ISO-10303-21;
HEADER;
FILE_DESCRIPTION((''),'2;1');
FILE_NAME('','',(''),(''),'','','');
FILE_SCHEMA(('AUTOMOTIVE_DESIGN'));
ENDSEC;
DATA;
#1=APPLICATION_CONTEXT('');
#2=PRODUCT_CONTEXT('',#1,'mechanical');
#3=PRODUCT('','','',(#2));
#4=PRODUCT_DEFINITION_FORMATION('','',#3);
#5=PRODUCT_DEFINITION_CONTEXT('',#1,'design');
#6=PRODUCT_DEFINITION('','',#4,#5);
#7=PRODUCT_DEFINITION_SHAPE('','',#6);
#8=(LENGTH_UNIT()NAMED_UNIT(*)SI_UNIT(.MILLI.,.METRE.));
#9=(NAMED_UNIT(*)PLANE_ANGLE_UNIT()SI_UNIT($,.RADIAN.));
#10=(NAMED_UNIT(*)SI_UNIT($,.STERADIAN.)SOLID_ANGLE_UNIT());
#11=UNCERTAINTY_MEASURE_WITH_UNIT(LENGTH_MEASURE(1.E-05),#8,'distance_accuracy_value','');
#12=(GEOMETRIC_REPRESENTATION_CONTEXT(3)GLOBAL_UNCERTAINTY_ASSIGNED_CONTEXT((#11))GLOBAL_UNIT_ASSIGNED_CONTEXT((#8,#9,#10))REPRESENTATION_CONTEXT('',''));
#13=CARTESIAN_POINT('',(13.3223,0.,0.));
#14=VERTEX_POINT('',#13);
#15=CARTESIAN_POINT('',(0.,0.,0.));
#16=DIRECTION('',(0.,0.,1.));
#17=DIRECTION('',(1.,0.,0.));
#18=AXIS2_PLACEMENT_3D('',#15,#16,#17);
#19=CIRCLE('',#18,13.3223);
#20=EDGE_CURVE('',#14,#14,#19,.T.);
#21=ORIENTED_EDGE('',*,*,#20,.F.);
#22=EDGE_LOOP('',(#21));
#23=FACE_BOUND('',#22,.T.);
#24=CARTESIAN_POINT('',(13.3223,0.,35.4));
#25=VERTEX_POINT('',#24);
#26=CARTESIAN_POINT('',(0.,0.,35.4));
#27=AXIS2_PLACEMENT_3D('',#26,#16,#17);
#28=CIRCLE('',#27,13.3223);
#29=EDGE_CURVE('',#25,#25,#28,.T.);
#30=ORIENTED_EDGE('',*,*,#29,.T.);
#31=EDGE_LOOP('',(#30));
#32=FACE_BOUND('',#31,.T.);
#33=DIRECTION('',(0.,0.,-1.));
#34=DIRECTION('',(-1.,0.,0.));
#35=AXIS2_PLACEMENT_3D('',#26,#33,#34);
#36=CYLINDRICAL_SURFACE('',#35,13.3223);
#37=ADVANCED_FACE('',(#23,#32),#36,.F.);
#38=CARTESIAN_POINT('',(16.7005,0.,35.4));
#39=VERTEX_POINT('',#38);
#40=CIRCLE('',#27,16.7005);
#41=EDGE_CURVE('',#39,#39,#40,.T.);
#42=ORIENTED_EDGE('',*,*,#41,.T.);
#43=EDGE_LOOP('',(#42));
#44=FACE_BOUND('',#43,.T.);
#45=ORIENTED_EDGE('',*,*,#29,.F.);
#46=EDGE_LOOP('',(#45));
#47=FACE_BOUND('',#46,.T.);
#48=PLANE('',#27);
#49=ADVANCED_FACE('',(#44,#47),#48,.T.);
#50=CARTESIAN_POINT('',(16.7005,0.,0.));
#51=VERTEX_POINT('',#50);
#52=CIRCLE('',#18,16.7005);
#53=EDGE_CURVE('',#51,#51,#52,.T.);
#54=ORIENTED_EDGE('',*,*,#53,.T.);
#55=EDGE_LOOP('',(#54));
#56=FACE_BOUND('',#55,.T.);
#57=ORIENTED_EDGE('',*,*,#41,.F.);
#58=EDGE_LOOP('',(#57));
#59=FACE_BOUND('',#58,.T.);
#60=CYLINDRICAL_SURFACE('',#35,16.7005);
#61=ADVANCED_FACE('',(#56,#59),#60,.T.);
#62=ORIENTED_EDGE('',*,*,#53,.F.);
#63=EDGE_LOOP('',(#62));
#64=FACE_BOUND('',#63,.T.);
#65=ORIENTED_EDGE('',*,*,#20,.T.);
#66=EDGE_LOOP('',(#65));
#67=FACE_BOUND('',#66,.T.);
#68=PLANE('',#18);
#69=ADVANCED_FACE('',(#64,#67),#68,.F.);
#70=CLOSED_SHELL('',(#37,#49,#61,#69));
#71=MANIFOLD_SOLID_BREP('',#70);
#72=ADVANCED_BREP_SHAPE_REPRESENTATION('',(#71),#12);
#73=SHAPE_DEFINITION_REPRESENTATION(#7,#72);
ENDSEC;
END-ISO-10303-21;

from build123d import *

# Parameters (mm, degrees)
SKETCH1_R                  = 16.7005
SKETCH1_R_2                = 13.3223
MIEMBRO_ESTRUCTURAL1_DEPTH = 35.4


with BuildPart() as part:
    # Sketch1 → Miembro estructural1 (new body)
    with BuildSketch(Plane(origin=(0, 0, 0), x_dir=(0, -1, 0), z_dir=(0, 0, 1))):
        Circle(SKETCH1_R)
        Circle(SKETCH1_R_2, mode=Mode.SUBTRACT)
    extrude(amount=MIEMBRO_ESTRUCTURAL1_DEPTH)


solid = part.part
